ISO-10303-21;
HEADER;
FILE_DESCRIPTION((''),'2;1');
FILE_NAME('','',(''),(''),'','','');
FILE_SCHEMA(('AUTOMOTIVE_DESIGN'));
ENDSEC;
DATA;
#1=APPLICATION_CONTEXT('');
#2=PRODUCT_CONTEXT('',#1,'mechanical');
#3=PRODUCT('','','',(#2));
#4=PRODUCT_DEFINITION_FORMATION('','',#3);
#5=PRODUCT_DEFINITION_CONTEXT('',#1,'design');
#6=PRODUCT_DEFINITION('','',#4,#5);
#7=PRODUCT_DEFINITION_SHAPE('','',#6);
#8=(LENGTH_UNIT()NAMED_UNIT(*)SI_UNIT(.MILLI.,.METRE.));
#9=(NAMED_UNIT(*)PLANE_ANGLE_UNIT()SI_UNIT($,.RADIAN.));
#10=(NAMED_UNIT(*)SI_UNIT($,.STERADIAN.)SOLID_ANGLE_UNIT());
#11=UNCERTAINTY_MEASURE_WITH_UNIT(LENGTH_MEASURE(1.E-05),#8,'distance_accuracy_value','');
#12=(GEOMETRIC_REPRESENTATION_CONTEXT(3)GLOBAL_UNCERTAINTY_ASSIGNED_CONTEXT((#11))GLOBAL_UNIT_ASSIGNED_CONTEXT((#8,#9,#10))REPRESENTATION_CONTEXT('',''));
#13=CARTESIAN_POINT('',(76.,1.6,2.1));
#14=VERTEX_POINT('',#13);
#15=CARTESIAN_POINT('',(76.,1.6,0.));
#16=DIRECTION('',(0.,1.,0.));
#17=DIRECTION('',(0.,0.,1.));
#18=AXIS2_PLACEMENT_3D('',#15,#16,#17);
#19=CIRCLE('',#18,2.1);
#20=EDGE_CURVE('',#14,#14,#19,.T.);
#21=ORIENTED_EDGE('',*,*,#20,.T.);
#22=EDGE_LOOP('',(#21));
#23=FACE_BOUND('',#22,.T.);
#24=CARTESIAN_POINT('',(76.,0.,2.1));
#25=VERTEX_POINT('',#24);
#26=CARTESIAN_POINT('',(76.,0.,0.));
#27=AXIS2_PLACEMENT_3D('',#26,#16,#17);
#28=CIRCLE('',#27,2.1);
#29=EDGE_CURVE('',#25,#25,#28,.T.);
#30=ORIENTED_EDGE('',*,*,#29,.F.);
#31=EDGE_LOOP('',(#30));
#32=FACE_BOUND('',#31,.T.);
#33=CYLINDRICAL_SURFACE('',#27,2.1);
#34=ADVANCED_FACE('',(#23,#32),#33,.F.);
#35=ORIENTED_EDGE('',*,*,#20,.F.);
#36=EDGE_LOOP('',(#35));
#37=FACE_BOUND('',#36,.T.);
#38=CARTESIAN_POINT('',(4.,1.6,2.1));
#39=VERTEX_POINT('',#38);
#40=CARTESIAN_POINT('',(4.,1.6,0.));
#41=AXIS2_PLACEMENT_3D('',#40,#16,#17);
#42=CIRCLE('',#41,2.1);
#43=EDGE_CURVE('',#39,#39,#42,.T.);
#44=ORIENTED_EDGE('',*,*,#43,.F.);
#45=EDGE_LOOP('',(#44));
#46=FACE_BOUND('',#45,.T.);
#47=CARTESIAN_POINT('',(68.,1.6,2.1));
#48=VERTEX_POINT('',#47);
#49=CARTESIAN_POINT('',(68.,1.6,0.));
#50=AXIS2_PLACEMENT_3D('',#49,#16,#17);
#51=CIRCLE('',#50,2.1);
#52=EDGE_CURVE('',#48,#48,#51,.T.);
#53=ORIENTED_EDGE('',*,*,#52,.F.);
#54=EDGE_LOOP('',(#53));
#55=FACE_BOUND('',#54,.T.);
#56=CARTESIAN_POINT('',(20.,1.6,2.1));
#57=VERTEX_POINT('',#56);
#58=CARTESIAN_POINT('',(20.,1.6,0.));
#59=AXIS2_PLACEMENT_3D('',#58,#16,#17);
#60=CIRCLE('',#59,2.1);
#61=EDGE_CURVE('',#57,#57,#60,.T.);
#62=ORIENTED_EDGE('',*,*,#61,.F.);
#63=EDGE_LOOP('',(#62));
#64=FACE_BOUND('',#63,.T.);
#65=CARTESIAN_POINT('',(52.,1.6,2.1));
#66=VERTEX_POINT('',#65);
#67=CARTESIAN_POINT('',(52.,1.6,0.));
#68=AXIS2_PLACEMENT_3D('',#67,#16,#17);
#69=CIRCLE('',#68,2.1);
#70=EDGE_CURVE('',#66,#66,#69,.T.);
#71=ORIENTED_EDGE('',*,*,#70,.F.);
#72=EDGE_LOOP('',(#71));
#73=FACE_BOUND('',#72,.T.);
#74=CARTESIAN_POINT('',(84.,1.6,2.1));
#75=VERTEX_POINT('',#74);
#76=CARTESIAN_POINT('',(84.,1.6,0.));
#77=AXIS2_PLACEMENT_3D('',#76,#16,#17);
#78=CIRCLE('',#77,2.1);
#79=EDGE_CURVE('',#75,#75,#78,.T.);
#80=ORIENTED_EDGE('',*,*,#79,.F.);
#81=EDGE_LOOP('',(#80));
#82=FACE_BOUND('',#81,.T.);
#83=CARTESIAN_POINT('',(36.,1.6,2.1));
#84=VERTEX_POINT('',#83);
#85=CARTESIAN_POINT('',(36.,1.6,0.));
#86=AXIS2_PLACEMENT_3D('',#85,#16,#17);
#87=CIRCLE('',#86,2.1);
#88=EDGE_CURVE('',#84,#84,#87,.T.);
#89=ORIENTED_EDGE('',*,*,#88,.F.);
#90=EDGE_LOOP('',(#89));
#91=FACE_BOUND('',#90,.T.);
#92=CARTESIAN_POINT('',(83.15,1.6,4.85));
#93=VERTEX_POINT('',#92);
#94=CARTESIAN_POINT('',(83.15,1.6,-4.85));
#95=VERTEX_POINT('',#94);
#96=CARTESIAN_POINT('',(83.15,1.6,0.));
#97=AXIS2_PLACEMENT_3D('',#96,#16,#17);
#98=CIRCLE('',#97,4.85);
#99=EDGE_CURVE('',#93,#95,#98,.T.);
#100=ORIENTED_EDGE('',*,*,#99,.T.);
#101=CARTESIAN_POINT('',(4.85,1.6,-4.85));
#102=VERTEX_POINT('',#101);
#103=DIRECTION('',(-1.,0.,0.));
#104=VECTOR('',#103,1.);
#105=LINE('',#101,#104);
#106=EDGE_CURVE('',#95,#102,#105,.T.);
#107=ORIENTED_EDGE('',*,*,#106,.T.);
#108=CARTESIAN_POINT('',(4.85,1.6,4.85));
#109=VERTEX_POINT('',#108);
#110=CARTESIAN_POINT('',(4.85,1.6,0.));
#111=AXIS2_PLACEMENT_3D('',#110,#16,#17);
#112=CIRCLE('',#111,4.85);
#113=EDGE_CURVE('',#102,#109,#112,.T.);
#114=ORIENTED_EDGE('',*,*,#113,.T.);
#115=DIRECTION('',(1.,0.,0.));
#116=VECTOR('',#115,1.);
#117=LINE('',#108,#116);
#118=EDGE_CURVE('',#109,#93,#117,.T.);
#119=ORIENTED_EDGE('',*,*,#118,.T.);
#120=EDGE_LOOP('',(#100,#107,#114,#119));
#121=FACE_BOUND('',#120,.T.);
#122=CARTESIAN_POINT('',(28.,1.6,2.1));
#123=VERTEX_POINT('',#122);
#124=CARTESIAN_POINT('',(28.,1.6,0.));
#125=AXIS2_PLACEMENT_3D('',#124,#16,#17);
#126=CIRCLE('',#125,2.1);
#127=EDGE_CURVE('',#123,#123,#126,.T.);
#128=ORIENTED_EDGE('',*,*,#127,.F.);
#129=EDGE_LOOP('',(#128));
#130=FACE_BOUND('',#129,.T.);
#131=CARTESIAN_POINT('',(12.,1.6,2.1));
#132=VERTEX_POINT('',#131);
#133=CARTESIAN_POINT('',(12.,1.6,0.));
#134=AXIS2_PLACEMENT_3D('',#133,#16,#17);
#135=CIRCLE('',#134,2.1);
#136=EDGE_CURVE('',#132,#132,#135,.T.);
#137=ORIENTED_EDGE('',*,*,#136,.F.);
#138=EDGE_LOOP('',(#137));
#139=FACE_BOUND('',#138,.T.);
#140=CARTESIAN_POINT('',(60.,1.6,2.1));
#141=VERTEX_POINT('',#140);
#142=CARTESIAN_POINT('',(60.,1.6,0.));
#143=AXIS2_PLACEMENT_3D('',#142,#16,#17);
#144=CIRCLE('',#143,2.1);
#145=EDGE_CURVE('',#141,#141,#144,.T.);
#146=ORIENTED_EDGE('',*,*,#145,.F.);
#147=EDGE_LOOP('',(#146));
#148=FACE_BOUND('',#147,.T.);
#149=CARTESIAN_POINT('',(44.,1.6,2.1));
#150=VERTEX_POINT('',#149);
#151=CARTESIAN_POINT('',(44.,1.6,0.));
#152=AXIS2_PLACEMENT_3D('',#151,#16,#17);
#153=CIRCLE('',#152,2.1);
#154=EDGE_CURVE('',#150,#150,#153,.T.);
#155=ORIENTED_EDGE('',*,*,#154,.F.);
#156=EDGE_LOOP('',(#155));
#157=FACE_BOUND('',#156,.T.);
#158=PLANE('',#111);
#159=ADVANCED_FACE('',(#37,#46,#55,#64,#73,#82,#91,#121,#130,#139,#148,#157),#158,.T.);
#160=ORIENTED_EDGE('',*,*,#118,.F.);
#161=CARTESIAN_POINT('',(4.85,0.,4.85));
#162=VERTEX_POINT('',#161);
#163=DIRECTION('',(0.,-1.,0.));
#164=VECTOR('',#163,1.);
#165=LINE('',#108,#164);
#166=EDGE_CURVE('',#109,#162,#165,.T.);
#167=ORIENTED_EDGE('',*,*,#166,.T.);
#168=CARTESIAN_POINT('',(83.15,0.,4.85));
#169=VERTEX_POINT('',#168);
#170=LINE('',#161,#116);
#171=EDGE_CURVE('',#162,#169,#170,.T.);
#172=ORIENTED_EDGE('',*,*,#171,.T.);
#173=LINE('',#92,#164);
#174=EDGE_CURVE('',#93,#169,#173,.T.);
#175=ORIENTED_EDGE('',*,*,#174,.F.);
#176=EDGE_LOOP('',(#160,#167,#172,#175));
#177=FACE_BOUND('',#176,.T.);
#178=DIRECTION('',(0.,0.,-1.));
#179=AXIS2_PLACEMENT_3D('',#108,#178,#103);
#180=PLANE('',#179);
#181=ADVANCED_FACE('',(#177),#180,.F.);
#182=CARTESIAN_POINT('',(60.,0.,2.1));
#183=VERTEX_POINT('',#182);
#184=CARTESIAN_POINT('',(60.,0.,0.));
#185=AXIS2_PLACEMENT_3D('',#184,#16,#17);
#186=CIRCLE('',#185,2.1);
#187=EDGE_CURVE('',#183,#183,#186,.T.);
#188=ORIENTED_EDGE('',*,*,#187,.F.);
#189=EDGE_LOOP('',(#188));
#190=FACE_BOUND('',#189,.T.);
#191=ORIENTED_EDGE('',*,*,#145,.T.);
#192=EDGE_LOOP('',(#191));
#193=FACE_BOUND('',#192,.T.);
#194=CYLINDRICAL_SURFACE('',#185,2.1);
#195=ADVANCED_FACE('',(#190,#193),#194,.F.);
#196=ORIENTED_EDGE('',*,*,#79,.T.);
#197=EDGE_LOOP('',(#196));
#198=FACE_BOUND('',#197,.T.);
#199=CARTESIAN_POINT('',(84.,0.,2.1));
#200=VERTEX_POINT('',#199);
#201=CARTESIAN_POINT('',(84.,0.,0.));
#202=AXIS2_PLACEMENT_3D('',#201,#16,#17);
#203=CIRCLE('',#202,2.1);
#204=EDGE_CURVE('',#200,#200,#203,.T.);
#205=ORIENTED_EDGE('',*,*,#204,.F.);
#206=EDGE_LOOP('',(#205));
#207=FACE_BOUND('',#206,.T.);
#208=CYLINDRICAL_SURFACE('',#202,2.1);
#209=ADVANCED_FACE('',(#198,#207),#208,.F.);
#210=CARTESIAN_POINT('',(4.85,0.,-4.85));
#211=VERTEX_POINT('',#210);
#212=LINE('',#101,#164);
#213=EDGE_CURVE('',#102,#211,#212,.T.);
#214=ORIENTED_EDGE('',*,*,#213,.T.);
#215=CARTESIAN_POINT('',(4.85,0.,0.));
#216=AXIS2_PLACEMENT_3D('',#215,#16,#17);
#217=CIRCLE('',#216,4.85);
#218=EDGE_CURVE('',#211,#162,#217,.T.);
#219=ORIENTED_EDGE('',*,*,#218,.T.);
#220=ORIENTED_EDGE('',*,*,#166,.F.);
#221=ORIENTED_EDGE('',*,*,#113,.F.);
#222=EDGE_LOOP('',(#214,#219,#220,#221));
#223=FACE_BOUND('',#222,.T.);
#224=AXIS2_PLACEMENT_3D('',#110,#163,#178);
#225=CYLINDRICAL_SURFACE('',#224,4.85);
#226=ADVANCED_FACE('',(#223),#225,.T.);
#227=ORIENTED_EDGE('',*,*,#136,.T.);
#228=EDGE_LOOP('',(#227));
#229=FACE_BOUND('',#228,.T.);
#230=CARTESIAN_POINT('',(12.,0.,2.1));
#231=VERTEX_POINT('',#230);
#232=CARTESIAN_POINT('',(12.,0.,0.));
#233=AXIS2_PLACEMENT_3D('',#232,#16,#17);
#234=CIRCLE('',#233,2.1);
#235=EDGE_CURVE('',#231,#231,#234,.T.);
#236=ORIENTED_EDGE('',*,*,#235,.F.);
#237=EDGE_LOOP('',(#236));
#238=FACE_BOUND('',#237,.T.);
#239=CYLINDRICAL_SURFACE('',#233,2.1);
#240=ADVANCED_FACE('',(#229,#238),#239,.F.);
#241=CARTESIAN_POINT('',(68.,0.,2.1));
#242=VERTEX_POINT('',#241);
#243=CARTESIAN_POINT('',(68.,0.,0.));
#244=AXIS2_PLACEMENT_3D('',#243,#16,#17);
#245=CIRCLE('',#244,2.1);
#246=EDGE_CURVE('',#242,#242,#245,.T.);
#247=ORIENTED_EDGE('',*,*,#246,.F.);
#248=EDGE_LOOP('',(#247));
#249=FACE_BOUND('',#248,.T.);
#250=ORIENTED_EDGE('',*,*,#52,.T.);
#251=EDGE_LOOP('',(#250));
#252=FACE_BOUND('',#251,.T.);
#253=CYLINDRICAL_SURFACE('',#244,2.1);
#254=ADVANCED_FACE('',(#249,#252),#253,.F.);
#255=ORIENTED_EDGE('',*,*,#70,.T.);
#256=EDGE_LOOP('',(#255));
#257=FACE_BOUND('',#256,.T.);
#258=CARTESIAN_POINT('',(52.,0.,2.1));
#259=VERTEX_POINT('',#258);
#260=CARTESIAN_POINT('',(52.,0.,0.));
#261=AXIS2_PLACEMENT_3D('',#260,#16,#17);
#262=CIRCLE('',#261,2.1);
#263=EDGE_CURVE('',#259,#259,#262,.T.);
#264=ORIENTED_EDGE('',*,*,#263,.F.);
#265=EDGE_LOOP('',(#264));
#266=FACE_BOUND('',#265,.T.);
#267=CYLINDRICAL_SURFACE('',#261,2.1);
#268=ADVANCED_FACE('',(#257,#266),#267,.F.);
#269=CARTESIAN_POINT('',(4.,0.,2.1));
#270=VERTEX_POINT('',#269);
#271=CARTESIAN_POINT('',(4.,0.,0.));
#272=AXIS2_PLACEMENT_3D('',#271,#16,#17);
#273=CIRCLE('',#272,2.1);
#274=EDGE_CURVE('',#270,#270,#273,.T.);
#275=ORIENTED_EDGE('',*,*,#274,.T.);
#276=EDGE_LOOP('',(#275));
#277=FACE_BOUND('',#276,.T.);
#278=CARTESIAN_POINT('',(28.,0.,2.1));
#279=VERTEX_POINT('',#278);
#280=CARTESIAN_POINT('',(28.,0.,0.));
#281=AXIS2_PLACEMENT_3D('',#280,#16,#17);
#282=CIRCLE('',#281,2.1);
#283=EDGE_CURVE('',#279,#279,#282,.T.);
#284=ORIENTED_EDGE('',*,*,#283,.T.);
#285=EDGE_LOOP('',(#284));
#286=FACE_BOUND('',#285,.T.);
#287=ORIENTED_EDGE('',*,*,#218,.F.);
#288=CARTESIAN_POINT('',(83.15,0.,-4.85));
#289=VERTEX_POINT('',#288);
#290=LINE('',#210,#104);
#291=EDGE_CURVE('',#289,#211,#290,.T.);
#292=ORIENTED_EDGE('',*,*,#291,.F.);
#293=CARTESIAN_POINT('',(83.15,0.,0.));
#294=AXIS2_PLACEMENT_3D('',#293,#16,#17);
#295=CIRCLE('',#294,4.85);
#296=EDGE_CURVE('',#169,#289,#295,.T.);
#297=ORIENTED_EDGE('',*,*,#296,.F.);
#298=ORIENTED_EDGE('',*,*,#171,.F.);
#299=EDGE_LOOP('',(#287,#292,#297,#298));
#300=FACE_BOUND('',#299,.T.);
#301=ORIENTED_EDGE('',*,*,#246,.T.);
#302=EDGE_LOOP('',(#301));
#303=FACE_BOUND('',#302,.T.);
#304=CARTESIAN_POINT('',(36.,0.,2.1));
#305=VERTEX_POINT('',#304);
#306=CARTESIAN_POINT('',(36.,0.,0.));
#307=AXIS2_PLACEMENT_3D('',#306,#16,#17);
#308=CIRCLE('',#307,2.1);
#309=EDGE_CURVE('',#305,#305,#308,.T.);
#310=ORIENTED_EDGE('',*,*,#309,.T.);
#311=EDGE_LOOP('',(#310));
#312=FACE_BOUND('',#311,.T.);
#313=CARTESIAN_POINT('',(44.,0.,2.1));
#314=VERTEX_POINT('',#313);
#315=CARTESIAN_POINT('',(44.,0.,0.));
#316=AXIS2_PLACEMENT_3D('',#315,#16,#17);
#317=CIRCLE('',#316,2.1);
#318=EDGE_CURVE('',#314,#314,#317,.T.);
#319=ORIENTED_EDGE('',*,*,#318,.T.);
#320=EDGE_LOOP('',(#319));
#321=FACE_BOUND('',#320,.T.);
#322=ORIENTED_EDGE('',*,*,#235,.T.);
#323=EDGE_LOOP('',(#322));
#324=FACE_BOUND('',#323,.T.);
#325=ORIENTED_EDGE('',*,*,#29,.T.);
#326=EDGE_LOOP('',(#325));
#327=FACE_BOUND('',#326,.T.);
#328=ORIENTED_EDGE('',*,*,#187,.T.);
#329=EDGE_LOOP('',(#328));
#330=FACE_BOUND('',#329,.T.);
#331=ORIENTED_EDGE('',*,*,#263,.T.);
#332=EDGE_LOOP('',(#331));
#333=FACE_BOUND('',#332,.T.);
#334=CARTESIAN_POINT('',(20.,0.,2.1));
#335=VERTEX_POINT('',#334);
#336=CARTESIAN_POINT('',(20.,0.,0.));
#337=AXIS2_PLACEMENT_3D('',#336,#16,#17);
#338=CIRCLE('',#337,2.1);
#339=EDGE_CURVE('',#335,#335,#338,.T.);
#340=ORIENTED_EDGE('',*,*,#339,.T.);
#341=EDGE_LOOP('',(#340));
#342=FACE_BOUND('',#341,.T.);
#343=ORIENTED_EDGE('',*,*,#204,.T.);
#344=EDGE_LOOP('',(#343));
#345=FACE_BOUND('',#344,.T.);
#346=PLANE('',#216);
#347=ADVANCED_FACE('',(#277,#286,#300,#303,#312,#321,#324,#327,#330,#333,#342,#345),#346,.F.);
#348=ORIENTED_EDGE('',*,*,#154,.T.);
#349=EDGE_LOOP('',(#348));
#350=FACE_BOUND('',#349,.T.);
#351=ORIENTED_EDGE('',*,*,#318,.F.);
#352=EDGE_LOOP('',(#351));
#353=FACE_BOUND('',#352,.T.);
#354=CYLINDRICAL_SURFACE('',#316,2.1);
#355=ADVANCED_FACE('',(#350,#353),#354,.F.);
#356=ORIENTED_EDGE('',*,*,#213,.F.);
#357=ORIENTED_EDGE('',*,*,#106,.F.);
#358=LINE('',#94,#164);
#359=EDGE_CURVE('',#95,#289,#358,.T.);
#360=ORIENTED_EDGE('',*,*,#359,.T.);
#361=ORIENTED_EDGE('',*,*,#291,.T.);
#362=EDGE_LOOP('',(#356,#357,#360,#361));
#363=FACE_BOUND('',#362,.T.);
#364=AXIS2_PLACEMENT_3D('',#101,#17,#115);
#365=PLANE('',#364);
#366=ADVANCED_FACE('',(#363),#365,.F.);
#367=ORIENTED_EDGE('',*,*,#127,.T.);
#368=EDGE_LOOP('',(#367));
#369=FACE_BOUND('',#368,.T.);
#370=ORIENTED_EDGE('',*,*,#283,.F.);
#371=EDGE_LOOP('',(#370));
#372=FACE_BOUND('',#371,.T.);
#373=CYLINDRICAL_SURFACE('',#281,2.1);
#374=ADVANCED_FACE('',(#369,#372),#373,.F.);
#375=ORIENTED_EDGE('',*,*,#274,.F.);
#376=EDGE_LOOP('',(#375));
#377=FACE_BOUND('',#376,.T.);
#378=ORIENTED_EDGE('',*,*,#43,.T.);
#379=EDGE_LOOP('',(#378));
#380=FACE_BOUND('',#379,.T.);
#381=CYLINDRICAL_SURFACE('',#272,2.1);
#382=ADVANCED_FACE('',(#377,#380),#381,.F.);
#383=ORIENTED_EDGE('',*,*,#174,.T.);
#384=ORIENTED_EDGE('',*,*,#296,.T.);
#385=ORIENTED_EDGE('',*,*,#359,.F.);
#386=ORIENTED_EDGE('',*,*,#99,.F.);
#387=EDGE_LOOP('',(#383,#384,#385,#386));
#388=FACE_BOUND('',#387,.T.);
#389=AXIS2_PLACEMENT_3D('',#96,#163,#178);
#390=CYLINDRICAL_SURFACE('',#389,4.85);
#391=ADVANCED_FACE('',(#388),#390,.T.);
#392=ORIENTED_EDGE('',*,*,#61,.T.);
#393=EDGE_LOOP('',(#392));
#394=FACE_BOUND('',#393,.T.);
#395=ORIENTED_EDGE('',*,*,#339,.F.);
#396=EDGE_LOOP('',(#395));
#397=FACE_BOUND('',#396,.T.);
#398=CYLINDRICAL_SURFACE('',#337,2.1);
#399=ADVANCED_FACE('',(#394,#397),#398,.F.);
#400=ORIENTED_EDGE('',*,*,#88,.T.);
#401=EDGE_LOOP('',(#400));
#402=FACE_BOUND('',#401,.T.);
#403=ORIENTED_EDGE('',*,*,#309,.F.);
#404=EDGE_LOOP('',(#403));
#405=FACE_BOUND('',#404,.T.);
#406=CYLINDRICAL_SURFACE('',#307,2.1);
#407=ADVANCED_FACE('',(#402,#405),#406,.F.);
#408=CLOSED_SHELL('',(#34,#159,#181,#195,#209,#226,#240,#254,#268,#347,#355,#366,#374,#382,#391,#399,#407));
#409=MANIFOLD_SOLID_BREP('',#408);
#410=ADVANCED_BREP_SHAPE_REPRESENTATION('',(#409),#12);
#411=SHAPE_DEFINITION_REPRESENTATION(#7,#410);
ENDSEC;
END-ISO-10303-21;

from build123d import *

# Parameters (mm, degrees)
BOSS_EXTRUDE1_DEPTH = 1.6
SKETCH2_R           = 2.1
CUT_EXTRUDE1_DEPTH  = 2.6
LPATTERN1_COUNT     = 11
LPATTERN1_PITCH     = 8


with BuildPart() as part:
    # Sketch1 → Boss-Extrude1 (new body)
    with BuildSketch(Plane(origin=(0, 0, 0), x_dir=(1, 0, 0), z_dir=(0, 1, 0))):
        with BuildLine():
            Line((4.85, 4.85), (83.15, 4.85))
            ThreePointArc((83.15, 4.85), (88, 0), (83.15, -4.85))
            Line((83.15, -4.85), (4.85, -4.85))
            ThreePointArc((4.85, -4.85), (0, 0), (4.85, 4.85))
        make_face()
    extrude(amount=BOSS_EXTRUDE1_DEPTH)

    # Sketch2 → Cut-Extrude1 (cut, through all)
    with BuildSketch(Plane(origin=(0, 1.6, 0), x_dir=(1, 0, 0), z_dir=(0, 1, 0))):
        with Locations((4, 0)):
            Circle(SKETCH2_R)
    cut_extrude1 = extrude(amount=-CUT_EXTRUDE1_DEPTH, mode=Mode.SUBTRACT)

    # LPattern1: Cut-Extrude1 ×11
    with Locations(*[(i * LPATTERN1_PITCH, 0, 0) for i in range(1, LPATTERN1_COUNT)]):
        add(cut_extrude1, mode=Mode.SUBTRACT)


solid = part.part
